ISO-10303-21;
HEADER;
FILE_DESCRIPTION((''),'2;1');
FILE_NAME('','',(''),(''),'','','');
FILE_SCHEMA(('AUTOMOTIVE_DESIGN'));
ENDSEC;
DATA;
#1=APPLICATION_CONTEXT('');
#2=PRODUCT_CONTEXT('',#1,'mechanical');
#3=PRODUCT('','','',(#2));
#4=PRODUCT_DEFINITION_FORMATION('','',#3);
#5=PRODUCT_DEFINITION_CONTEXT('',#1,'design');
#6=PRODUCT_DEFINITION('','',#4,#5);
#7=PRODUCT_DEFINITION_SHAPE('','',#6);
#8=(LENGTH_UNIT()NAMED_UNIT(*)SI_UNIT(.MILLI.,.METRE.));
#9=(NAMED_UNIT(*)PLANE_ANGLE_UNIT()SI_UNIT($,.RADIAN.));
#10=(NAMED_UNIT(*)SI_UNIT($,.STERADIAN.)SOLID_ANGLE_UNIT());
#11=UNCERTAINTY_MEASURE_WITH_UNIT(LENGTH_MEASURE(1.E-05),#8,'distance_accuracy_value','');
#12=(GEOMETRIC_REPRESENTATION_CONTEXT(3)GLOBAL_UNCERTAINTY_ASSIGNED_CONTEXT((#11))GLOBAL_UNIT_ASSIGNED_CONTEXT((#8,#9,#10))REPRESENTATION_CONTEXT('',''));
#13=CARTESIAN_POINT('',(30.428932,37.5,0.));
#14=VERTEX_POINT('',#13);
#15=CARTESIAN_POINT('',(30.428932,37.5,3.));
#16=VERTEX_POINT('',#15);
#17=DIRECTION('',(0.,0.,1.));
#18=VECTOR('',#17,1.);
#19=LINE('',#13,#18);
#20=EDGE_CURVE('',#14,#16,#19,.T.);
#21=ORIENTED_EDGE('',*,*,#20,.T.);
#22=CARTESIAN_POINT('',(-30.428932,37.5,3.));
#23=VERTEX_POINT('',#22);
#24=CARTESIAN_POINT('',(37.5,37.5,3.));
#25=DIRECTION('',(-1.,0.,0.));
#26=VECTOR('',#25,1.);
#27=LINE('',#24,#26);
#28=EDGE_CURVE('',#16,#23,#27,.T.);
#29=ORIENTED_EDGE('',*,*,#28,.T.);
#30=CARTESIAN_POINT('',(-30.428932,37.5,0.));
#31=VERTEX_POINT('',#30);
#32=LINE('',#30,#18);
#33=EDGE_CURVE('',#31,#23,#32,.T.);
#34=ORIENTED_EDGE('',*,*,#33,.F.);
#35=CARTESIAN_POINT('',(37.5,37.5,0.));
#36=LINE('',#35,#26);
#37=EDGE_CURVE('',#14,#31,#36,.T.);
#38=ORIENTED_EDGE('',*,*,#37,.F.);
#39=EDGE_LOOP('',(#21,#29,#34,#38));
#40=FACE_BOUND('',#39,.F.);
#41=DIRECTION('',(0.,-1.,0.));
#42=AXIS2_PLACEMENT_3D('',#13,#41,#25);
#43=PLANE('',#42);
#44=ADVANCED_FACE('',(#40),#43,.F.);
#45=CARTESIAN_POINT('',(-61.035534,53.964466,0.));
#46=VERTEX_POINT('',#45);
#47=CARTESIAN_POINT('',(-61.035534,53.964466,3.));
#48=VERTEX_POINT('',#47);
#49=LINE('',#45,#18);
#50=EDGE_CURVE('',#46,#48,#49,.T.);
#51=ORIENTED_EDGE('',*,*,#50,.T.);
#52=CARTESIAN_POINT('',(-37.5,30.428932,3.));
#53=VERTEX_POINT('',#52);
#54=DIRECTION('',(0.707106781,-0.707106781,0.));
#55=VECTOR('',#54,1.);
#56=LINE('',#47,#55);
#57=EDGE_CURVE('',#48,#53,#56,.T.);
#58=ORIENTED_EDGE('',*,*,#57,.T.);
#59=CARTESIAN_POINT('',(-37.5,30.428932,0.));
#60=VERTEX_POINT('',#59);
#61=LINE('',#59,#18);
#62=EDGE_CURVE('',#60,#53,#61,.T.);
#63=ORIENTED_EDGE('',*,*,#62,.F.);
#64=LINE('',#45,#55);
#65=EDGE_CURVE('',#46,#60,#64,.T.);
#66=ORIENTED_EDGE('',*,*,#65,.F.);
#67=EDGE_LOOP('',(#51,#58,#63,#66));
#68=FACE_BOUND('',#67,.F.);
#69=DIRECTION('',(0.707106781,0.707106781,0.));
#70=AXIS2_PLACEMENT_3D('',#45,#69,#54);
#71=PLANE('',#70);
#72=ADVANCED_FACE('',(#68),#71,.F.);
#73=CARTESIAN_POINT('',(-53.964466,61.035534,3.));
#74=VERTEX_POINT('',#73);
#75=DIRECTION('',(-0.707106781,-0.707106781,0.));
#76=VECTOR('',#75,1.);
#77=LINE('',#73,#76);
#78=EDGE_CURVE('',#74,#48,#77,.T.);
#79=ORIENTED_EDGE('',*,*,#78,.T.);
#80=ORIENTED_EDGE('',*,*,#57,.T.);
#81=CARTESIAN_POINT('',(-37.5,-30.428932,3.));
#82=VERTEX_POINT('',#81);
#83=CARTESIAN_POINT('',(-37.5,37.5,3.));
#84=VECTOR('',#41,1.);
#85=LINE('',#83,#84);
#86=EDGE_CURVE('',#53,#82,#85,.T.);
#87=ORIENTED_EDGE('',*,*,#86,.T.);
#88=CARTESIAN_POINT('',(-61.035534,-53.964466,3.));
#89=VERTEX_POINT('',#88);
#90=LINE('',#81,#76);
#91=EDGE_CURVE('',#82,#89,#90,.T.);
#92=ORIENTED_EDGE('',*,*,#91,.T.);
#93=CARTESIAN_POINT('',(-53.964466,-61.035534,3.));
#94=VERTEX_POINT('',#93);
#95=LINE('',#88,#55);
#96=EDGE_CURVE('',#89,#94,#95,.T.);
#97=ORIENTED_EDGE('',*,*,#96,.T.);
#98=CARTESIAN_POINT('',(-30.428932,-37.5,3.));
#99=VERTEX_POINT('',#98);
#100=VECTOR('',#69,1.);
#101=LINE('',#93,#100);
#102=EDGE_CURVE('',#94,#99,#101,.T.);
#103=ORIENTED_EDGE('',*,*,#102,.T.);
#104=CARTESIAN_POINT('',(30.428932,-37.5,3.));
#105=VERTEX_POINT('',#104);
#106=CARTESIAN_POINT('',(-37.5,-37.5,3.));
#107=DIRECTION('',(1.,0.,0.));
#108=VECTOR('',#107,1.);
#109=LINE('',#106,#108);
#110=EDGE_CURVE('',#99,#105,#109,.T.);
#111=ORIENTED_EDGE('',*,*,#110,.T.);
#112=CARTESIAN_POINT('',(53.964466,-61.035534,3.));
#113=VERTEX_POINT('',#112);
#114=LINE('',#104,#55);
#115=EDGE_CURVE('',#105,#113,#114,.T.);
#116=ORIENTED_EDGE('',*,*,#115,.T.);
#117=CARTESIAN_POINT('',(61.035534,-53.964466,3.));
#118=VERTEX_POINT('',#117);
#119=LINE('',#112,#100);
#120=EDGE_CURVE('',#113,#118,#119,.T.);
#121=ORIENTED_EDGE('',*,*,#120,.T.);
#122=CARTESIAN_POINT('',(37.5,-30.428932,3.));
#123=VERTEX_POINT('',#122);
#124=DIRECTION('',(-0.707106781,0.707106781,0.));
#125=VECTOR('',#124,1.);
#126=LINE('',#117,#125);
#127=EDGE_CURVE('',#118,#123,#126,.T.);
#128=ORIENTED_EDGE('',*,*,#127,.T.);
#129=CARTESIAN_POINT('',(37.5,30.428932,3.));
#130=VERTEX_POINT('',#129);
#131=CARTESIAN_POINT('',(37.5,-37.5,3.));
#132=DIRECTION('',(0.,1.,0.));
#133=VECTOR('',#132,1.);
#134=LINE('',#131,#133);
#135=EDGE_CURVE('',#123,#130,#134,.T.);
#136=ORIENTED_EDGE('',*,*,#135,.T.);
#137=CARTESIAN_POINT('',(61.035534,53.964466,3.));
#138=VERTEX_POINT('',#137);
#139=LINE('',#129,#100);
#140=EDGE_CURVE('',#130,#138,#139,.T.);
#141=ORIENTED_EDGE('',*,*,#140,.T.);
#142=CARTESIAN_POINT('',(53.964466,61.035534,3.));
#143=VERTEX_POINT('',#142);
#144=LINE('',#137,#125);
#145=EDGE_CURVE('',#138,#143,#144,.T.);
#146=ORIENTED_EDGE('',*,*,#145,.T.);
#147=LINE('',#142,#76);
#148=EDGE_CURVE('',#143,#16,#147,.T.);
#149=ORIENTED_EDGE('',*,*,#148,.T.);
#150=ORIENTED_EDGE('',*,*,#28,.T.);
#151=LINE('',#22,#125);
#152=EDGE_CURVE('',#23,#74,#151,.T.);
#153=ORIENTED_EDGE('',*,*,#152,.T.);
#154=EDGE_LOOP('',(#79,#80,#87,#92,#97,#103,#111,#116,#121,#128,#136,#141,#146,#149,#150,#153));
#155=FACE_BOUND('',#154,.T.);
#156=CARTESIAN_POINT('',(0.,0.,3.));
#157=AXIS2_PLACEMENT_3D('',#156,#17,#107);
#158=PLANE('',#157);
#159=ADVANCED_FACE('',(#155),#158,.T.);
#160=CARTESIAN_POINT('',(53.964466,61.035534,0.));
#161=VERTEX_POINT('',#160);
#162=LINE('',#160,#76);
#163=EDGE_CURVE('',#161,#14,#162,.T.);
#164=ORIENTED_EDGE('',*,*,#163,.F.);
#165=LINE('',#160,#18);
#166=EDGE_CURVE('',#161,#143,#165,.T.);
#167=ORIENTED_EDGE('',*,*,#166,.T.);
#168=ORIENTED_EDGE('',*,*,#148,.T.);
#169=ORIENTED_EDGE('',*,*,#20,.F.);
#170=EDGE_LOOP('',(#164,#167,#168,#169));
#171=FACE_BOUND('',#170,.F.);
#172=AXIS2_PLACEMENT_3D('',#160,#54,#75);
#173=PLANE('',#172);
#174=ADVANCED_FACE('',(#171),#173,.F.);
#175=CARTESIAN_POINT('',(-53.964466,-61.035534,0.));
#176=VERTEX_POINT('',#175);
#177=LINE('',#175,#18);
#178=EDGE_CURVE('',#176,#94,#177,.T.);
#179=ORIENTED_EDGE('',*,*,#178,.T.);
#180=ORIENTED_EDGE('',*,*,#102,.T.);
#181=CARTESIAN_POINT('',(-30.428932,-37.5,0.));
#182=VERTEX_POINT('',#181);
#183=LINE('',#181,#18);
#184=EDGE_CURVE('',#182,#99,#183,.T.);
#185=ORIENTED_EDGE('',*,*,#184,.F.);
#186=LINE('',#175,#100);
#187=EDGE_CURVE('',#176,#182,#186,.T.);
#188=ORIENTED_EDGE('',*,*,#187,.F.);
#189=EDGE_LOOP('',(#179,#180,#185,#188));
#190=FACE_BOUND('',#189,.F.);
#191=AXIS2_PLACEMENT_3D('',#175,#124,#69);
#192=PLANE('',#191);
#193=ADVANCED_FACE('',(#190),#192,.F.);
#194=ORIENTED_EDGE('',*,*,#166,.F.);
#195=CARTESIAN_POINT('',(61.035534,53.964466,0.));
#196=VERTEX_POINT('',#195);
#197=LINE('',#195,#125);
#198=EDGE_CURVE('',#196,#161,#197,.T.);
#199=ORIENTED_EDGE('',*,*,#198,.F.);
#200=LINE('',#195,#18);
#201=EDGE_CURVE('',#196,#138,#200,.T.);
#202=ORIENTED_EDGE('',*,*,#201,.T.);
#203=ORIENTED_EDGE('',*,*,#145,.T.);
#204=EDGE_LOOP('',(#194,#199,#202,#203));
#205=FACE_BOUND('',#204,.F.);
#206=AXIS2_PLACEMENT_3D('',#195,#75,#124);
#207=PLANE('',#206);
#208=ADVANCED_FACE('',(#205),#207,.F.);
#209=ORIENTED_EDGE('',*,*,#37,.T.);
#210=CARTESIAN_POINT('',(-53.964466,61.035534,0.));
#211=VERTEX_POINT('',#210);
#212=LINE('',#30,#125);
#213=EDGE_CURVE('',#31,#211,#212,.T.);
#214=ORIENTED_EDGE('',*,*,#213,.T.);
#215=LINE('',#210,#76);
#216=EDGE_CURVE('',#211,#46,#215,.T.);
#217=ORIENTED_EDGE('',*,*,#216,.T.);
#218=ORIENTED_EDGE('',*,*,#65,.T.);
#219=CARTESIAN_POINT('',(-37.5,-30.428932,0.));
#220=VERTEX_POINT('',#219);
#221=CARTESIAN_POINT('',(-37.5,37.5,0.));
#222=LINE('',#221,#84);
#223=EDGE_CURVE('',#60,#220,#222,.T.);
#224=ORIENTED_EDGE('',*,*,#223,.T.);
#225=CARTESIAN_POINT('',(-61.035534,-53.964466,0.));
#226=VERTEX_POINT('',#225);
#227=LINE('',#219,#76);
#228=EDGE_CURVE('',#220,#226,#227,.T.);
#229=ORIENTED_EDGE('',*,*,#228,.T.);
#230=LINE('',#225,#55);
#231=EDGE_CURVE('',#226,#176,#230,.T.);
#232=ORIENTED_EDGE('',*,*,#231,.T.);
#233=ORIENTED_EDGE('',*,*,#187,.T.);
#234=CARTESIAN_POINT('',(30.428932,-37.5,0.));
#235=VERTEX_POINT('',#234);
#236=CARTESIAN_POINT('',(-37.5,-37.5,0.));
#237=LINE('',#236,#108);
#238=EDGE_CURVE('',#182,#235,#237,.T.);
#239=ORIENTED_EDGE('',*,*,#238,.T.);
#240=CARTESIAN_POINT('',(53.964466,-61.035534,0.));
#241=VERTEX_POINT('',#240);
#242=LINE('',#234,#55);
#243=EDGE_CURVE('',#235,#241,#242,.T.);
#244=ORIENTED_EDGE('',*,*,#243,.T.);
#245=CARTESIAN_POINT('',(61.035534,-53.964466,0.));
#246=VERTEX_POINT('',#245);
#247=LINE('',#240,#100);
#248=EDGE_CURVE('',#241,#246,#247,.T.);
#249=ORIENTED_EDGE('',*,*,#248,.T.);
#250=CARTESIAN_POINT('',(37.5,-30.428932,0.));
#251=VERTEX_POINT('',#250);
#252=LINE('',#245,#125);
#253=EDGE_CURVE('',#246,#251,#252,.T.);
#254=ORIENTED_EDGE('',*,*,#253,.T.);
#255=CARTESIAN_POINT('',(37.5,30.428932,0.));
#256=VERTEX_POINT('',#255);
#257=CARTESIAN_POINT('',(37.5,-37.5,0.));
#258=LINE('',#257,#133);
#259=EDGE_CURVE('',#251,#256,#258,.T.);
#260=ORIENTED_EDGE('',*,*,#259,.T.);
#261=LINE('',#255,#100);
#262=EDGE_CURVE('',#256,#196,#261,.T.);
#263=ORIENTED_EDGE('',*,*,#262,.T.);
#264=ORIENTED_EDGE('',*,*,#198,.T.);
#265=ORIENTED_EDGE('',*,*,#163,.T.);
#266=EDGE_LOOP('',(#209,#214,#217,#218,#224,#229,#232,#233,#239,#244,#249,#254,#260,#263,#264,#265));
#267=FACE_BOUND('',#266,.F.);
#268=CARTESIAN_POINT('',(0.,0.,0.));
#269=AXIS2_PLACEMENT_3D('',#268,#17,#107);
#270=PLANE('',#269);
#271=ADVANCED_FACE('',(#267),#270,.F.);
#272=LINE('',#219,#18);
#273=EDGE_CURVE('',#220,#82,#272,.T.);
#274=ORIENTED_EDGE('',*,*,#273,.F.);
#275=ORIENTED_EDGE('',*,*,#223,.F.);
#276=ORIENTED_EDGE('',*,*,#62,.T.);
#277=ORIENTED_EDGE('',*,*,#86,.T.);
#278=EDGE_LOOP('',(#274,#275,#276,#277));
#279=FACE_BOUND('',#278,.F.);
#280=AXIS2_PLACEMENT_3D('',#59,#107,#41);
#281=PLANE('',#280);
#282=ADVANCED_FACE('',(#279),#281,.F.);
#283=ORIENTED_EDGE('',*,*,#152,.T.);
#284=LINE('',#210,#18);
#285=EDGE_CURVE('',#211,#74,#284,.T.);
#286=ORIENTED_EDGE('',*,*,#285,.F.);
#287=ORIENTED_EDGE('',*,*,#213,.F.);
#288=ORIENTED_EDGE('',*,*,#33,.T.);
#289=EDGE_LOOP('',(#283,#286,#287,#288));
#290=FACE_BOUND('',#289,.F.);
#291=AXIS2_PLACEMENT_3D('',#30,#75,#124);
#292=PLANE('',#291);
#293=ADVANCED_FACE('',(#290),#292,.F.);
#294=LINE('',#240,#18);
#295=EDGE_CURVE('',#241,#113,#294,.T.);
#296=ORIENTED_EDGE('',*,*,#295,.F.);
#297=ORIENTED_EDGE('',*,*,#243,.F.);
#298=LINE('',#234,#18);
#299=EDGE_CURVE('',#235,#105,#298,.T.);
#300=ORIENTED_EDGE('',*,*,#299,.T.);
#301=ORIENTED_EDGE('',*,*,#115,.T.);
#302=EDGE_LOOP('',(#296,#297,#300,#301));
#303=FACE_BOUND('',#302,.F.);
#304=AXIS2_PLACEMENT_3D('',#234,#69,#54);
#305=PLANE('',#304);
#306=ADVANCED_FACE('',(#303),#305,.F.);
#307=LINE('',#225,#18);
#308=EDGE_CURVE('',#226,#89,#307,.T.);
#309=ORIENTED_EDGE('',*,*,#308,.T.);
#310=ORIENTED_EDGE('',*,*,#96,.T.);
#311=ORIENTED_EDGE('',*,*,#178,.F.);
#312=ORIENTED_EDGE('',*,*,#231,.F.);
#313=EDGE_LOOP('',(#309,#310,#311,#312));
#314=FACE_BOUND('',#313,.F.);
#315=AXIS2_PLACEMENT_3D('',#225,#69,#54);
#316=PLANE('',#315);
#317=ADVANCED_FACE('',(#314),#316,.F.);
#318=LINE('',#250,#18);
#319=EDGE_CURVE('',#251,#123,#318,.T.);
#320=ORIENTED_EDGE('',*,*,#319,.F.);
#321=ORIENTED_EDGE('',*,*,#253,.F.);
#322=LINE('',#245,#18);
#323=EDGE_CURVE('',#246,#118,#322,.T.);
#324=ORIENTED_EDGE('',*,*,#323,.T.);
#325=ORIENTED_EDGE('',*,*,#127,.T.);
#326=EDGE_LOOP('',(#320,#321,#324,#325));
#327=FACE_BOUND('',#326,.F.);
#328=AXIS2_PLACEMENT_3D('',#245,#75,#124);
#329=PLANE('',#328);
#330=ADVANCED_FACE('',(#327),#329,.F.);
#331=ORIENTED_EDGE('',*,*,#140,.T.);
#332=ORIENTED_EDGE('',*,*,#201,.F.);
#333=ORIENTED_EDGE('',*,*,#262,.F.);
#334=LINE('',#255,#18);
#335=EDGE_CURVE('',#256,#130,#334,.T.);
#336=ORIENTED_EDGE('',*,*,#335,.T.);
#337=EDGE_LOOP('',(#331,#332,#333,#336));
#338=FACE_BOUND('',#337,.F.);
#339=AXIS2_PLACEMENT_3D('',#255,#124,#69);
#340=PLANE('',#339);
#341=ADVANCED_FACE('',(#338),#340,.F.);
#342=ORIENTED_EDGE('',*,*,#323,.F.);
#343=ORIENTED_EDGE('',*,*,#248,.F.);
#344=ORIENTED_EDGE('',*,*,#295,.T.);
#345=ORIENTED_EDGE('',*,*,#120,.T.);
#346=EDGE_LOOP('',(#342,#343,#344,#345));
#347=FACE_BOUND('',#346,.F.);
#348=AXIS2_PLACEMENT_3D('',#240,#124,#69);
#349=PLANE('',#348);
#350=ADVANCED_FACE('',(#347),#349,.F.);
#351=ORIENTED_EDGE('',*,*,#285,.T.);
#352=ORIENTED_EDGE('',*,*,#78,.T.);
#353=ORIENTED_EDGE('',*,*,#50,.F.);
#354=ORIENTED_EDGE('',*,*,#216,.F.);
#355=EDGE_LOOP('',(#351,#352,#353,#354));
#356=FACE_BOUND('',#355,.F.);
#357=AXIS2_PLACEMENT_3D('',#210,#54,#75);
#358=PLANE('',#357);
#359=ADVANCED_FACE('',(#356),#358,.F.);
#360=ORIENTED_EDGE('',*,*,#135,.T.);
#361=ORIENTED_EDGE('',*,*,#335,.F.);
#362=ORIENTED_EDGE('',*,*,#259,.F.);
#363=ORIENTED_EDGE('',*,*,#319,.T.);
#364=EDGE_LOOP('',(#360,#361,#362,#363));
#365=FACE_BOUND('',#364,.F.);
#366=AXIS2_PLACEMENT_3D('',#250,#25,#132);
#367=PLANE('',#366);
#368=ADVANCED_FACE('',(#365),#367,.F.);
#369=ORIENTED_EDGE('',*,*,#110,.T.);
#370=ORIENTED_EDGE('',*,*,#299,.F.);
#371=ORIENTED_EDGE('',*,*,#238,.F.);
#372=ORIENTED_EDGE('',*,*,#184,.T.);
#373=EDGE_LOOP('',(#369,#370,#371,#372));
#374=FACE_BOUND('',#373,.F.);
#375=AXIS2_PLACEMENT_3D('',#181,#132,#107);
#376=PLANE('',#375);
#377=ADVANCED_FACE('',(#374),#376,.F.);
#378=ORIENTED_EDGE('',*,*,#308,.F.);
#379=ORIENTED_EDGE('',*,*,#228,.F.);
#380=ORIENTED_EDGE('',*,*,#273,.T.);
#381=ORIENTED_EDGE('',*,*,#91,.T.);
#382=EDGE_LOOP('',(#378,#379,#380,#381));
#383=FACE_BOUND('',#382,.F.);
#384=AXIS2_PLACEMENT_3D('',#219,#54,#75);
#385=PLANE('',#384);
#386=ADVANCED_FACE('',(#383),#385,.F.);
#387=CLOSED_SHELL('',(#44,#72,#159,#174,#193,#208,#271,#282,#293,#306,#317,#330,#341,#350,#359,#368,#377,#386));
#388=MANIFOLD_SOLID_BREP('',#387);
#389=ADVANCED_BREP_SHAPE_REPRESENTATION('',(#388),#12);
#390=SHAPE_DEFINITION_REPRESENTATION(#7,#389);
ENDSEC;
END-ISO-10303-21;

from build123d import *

# Parameters (mm, degrees)
F1_DEPTH = 3


with BuildPart() as f1:
    # F0 (on Top) → F1 (new body)
    with BuildSketch(Plane.XY):
        Polygon((-37.5, -30.428932), (-37.5, -37.5), (-30.428932, -37.5), (30.428932, -37.5), (37.5, -37.5), (37.5, -30.428932), (37.5, 30.428932), (37.5, 37.5), (30.428932, 37.5), (-30.428932, 37.5), (-37.5, 37.5), (-37.5, 30.428932), align=None)
        Polygon((-30.428932, -37.5), (-37.5, -37.5), (-37.5, -30.428932), (-61.035534, -53.964466), (-57.5, -57.5), (-53.964466, -61.035534), align=None)
        Polygon((37.5, -37.5), (30.428932, -37.5), (53.964466, -61.035534), (57.5, -57.5), (61.035534, -53.964466), (37.5, -30.428932), align=None)
        Polygon((-61.035534, 53.964466), (-37.5, 30.428932), (-37.5, 37.5), (-30.428932, 37.5), (-53.964466, 61.035534), (-57.5, 57.5), align=None)
        Polygon((37.5, 37.5), (37.5, 30.428932), (61.035534, 53.964466), (57.5, 57.5), (53.964466, 61.035534), (30.428932, 37.5), align=None)
    extrude(amount=F1_DEPTH)


solid = f1.part
